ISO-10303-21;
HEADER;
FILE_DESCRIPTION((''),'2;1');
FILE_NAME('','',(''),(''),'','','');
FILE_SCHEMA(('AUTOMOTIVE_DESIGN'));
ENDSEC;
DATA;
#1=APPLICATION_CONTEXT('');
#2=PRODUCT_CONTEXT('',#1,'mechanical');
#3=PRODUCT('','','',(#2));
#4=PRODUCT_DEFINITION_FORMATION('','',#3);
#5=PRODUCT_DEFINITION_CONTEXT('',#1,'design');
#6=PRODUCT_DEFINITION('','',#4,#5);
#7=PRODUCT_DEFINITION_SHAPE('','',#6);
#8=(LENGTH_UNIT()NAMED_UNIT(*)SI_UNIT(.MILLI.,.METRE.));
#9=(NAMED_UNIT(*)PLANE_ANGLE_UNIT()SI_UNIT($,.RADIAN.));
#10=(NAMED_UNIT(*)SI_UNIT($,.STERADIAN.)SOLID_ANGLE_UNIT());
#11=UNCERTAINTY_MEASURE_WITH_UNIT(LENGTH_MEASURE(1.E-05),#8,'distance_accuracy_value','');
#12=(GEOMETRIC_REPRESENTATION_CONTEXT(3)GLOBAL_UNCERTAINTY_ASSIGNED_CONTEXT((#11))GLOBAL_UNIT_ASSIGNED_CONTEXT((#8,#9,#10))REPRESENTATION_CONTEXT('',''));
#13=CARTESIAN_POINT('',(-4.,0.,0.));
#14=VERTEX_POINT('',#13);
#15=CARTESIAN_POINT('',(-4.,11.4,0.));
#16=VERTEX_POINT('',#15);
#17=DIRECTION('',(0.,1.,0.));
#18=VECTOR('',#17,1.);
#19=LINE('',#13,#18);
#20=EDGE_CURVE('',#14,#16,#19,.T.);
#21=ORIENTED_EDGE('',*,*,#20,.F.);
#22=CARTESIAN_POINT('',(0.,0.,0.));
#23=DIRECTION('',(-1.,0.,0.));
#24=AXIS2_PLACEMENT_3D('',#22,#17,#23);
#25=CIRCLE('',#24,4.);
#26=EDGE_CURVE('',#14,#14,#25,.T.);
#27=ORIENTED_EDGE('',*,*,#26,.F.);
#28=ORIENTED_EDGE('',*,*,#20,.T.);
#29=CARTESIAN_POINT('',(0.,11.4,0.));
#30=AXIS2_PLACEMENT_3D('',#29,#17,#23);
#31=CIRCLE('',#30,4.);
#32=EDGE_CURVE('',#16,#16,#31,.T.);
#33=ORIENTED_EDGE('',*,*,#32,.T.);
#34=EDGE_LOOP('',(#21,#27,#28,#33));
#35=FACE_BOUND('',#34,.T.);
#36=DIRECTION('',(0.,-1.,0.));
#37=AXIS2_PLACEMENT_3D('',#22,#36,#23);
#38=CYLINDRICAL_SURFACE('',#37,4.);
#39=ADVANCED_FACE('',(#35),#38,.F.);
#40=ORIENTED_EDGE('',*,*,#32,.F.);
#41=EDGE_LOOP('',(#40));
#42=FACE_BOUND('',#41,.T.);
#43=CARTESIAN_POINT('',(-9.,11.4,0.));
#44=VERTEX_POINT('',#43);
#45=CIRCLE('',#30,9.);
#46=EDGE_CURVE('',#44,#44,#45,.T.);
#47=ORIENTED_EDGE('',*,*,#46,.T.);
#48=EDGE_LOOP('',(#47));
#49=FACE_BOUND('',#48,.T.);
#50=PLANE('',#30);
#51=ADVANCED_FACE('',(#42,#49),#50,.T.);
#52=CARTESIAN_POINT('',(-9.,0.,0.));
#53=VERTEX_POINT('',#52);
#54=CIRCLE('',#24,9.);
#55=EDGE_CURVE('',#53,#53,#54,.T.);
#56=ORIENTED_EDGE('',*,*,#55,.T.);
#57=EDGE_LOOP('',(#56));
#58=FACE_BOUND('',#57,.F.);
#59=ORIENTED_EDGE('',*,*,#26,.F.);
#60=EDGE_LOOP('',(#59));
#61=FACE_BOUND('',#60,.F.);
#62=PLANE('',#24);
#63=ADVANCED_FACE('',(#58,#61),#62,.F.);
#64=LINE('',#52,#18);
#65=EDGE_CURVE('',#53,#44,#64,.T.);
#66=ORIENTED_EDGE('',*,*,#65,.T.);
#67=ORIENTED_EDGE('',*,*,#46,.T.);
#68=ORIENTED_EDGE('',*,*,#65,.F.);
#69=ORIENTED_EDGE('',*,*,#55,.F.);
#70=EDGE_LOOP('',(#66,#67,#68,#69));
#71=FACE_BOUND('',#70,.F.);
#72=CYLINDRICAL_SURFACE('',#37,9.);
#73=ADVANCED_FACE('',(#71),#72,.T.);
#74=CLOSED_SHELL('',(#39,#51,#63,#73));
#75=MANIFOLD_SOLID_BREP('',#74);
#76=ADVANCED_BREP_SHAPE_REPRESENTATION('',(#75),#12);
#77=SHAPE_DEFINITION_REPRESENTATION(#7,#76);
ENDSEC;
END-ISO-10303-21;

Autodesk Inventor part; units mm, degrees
ref_plane "YZ Plane" through (0, 0, 0) normal (1, 0, 0) x (0, 1, 0)
ref_plane "XZ Plane" through (0, 0, 0) normal (0, 1, 0) x (-1, 0, 0)
ref_plane "XY Plane" through (0, 0, 0) normal (0, 0, 1) x (1, 0, 0)
sketch "草圖1" plane through (0, 0, 0) normal (0, 1, 0) x (-1, 0, 0)
  circle A0 centre (0, 0) radius 9
  circle A1 centre (0, 0) radius 4
  dimension "d0" = 18
  dimension "d1" = 8
extrude "擠出1" add sketch "草圖1" along normal blind 11.4
properties part number "z21 8x18"
